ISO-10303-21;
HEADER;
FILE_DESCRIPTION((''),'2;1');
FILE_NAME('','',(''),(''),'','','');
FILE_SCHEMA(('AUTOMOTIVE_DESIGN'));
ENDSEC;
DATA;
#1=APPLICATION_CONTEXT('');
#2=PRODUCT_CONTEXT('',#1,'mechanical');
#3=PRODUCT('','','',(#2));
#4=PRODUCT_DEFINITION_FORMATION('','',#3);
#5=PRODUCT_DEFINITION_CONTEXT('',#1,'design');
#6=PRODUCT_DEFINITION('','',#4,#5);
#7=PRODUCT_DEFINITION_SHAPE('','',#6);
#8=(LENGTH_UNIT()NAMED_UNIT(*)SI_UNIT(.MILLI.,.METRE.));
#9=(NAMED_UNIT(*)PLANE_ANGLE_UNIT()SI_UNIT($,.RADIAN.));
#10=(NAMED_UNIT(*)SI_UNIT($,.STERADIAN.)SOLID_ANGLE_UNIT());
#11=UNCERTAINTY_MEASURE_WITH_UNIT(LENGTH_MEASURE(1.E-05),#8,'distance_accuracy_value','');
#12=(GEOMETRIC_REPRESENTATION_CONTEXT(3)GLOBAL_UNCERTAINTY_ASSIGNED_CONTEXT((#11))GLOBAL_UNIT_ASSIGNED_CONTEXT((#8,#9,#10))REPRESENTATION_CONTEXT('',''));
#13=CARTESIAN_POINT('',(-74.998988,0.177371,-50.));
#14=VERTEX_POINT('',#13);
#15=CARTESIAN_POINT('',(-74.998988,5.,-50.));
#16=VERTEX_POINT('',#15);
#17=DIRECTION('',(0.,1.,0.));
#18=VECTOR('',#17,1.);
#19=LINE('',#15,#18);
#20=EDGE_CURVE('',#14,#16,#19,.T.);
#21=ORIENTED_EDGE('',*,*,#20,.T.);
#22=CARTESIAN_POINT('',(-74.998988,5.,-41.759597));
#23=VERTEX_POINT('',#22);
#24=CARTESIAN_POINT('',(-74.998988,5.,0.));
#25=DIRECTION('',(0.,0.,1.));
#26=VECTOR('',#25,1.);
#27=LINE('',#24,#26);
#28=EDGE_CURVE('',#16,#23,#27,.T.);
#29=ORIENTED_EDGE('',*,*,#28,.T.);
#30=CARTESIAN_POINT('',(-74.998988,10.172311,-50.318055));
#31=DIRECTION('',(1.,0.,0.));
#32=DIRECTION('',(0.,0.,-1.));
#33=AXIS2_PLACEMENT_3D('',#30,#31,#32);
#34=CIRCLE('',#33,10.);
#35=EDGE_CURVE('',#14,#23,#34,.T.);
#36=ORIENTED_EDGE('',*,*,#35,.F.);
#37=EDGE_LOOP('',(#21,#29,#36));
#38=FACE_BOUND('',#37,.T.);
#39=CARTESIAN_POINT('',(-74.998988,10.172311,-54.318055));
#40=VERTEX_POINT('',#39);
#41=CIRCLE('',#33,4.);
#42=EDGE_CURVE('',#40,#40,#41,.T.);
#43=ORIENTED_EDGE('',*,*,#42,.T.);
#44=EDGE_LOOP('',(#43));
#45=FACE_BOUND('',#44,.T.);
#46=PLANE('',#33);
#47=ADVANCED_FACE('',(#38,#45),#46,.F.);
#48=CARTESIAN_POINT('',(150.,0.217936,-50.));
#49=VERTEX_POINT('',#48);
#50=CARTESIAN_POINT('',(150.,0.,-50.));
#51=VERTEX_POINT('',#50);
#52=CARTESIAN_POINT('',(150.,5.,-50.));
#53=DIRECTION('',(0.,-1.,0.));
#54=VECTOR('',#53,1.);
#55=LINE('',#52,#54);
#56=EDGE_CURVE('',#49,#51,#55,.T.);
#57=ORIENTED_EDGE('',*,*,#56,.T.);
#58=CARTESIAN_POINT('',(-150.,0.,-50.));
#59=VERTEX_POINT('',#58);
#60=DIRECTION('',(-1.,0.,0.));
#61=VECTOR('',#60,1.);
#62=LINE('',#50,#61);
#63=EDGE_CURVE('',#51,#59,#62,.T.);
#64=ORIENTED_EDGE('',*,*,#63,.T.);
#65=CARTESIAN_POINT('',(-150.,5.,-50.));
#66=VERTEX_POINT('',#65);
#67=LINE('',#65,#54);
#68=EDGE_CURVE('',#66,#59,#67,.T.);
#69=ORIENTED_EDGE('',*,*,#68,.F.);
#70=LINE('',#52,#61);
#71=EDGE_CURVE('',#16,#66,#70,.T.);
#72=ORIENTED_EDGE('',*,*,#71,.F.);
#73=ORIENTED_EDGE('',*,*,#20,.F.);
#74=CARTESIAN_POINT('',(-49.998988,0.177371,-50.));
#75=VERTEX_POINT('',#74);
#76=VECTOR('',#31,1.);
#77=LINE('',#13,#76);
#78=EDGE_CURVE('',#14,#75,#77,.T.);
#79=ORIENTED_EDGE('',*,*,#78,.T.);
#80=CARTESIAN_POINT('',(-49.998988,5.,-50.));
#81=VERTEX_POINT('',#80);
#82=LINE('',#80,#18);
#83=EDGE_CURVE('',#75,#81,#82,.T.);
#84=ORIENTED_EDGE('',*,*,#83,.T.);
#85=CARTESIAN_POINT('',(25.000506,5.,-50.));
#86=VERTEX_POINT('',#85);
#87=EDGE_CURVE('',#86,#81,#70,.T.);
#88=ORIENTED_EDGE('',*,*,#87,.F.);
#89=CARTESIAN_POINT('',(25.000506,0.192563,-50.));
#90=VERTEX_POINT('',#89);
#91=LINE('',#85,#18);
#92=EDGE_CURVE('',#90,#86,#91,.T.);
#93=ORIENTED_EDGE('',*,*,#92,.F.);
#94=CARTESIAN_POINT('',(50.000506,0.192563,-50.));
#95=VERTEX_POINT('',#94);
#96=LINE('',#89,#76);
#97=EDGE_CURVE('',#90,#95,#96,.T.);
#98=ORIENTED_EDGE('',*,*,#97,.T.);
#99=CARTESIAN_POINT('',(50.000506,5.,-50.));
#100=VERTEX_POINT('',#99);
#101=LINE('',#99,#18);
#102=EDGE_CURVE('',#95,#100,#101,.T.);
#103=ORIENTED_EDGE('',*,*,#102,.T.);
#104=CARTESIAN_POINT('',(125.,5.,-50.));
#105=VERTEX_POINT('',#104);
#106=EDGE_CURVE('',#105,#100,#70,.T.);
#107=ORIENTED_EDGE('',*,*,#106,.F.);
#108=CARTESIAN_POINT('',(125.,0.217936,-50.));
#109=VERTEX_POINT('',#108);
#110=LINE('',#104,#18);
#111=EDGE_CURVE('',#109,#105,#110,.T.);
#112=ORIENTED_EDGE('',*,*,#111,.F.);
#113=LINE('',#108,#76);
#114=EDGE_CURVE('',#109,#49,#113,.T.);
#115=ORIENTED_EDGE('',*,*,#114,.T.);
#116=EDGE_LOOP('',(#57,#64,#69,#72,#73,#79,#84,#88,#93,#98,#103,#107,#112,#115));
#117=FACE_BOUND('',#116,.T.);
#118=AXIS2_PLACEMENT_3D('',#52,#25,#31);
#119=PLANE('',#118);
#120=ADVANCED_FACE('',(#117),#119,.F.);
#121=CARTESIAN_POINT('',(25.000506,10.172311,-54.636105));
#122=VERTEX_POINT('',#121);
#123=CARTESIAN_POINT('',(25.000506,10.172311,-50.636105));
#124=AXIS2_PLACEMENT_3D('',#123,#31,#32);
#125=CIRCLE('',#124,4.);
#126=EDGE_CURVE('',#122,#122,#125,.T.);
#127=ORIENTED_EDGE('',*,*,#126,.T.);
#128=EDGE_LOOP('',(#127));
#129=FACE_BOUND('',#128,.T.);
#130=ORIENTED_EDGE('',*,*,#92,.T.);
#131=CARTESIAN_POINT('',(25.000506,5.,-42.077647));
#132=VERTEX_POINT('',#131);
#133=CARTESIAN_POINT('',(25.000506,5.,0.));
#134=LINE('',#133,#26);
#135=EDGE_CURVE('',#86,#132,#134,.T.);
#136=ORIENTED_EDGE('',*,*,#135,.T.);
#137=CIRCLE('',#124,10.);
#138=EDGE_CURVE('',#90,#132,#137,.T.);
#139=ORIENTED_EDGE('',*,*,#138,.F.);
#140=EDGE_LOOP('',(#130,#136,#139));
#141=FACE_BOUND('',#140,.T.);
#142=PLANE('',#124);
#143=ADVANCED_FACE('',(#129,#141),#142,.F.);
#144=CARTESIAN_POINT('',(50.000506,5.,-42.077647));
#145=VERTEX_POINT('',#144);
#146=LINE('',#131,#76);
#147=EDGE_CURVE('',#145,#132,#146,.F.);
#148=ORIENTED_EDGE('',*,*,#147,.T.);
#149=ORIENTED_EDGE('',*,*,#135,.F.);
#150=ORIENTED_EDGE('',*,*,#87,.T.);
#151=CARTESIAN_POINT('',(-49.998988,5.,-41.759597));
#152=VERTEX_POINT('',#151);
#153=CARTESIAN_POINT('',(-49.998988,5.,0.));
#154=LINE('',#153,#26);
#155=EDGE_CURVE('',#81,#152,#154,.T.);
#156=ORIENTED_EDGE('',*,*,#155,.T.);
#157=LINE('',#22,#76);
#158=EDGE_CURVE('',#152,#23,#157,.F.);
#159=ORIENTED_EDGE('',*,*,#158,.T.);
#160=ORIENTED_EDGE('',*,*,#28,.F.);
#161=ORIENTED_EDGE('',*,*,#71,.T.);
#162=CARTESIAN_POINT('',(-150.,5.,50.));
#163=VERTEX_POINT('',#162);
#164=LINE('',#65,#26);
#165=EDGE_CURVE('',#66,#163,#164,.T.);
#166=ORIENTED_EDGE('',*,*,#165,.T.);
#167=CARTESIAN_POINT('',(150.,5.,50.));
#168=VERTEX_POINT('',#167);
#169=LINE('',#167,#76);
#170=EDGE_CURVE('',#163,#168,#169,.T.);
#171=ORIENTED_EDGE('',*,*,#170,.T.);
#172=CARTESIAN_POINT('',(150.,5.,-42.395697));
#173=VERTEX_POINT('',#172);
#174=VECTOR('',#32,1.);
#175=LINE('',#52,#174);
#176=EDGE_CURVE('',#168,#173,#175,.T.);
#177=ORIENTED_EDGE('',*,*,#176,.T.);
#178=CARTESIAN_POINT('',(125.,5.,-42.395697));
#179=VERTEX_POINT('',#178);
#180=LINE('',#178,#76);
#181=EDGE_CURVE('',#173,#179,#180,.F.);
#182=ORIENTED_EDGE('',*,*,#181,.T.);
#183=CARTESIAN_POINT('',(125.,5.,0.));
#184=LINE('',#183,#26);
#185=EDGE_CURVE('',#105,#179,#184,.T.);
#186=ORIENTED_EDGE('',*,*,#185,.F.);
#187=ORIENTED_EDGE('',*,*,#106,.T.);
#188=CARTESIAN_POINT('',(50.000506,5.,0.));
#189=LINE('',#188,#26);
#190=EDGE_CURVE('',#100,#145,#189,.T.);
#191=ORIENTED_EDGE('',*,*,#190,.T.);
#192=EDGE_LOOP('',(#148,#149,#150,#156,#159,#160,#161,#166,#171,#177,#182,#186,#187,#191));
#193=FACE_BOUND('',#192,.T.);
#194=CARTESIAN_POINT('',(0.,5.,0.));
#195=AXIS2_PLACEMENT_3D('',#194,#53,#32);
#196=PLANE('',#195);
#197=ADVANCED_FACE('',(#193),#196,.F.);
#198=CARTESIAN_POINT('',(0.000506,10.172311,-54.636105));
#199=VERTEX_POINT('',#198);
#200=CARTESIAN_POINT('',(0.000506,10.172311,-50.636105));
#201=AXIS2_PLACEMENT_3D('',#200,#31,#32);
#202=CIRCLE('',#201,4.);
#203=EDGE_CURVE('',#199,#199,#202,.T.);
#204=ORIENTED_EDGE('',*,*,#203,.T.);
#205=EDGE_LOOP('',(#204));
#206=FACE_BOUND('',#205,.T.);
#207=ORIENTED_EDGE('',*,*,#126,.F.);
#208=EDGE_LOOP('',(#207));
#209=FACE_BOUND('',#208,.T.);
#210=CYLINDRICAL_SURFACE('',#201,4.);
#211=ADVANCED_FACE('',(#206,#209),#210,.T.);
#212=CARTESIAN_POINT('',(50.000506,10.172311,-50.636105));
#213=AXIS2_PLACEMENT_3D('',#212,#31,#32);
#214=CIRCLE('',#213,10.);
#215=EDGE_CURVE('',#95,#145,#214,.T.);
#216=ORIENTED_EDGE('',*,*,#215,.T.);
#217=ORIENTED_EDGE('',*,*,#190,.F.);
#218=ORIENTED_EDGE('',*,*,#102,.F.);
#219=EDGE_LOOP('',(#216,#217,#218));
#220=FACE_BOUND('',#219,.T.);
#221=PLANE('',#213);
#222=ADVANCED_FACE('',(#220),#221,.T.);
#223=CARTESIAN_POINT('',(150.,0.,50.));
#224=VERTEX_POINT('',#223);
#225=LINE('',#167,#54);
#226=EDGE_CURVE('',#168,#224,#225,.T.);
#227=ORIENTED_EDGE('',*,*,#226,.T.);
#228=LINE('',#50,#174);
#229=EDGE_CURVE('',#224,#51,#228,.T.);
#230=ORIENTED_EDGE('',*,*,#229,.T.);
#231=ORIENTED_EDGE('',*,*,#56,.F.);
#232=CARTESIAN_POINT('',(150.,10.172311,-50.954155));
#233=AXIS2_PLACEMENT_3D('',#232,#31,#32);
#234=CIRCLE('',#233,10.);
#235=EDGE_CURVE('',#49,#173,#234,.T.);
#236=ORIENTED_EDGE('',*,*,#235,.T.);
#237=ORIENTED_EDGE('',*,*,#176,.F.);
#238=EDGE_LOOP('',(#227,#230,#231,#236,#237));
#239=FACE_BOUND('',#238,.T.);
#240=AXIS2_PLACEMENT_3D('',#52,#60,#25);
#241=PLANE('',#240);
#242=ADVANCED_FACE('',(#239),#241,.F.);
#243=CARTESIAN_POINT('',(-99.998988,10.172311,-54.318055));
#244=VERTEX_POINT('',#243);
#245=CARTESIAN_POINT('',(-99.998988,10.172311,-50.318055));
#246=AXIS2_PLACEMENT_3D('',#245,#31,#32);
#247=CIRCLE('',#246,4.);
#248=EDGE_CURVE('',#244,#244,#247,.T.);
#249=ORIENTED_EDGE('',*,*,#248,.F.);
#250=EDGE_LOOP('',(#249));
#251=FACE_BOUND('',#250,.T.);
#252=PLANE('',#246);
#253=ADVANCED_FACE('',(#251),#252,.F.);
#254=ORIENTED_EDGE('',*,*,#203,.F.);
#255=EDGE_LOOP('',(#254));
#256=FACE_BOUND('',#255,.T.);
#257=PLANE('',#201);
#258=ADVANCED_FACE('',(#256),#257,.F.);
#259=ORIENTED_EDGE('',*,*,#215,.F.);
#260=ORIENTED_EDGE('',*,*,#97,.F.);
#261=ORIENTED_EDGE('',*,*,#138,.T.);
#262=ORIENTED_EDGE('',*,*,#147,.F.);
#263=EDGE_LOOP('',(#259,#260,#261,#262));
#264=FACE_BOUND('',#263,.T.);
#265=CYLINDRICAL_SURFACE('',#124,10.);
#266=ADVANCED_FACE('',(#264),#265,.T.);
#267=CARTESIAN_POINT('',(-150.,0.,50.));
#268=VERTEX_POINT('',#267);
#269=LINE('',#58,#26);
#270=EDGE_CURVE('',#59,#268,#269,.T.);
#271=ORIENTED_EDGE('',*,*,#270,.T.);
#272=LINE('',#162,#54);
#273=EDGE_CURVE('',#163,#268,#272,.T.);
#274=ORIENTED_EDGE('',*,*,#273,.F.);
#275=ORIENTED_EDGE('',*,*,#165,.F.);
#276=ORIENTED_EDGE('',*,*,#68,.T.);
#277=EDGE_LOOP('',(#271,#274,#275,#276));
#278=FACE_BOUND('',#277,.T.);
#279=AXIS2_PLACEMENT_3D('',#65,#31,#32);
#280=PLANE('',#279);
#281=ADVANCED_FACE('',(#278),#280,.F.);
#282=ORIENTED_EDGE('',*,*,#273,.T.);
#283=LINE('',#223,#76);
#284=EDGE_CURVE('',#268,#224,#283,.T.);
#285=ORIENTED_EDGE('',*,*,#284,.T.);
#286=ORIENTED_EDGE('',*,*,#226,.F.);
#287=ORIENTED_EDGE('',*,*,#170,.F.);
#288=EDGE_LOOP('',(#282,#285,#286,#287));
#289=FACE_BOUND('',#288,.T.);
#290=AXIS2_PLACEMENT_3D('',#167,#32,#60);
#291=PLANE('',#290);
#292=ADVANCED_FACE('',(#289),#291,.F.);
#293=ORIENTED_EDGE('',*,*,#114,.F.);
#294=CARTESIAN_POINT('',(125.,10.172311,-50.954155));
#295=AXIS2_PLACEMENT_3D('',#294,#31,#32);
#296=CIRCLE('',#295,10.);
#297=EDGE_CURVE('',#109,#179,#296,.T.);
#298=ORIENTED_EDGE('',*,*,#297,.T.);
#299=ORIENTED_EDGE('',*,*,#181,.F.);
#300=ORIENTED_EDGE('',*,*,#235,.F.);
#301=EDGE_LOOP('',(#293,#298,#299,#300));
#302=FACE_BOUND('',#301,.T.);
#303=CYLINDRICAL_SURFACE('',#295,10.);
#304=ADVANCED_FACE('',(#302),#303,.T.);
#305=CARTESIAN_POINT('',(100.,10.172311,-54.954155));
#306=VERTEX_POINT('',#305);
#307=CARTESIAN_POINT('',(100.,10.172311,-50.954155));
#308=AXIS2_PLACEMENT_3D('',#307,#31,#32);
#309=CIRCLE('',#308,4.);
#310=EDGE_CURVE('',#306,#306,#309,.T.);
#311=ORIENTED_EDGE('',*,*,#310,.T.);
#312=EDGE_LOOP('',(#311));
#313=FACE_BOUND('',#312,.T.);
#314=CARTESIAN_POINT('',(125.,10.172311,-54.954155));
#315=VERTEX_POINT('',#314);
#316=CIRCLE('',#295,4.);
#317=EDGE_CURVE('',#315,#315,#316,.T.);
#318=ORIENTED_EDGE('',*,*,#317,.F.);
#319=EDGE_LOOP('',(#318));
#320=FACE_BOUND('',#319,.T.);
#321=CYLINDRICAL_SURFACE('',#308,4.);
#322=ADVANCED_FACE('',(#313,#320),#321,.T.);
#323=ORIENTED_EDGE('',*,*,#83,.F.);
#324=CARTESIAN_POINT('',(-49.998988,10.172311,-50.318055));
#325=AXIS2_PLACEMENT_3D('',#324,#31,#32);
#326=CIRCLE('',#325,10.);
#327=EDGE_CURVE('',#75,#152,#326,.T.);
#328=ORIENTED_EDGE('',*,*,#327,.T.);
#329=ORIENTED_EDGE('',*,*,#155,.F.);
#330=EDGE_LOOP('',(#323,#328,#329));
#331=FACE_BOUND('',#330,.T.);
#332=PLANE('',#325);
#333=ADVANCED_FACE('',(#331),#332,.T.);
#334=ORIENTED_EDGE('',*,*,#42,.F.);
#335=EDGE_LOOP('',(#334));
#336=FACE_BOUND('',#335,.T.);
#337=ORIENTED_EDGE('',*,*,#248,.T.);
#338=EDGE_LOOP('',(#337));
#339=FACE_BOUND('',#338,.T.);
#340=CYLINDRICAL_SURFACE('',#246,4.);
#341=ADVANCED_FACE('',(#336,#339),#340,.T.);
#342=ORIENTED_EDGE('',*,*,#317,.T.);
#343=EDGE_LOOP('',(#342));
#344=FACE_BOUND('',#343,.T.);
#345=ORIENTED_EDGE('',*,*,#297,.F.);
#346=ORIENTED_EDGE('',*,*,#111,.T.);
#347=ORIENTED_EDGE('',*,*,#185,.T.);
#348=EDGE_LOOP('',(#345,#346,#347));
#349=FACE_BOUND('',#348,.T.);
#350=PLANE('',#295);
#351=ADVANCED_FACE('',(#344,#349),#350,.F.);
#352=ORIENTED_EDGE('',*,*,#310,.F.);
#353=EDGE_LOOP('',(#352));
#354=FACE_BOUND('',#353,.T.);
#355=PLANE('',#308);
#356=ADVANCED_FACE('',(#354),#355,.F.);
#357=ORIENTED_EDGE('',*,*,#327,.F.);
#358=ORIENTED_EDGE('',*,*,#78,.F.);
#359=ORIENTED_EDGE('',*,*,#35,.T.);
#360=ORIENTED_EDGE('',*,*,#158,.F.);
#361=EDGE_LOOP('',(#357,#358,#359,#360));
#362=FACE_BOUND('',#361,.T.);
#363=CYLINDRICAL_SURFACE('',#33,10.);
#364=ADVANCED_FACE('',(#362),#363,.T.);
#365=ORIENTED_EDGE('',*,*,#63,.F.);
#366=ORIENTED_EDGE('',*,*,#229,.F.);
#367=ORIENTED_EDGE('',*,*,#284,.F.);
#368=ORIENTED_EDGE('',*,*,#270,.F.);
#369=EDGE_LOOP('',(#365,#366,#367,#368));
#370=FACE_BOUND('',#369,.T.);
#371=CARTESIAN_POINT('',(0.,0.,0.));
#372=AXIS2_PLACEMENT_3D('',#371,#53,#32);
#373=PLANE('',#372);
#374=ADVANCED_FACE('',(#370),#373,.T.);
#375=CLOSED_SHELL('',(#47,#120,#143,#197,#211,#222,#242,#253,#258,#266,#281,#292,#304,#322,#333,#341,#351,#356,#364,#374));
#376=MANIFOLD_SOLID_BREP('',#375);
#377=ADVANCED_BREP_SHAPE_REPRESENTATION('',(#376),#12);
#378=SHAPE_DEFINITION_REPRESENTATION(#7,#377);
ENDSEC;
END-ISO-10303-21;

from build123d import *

# Parameters (mm, degrees)
SKETCH1_W           = 300
SKETCH1_H           = 100
BOSS_EXTRUDE1_DEPTH = 5
SKETCH7_R           = 10
BOSS_EXTRUDE5_DEPTH = 25
SKETCH10_R          = 4
BOSS_EXTRUDE6_DEPTH = 50
LPATTERN1_COUNT     = 3
LPATTERN1_PITCH     = 100


with BuildPart() as part:
    # Sketch1 → Boss-Extrude1 (new body)
    with BuildSketch(Plane(origin=(0, 0, 0), x_dir=(1, 0, 0), z_dir=(0, 1, 0))):
        Rectangle(SKETCH1_W, SKETCH1_H)
    extrude(amount=BOSS_EXTRUDE1_DEPTH)

    # Sketch7 → Boss-Extrude5 (add)
    with BuildSketch(Plane(origin=(150, 0, 0), x_dir=(0, 0, -1), z_dir=(1, 0, 0))):
        with Locations((50.954154719, 10.172311349)):
            Circle(SKETCH7_R)
    boss_extrude5 = extrude(amount=-BOSS_EXTRUDE5_DEPTH)

    # Sketch10 → Boss-Extrude6 (add)
    with BuildSketch(Plane(origin=(150, 0, 0), x_dir=(0, 0, -1), z_dir=(1, 0, 0))):
        with Locations((50.954154719, 10.172311349)):
            Circle(SKETCH10_R)
    boss_extrude6 = extrude(amount=-BOSS_EXTRUDE6_DEPTH)

    # LPattern1: Boss-Extrude5, Boss-Extrude6 ×3
    with Locations(*[Vector(-0.999994942, 0, 0.0031805) * (i * LPATTERN1_PITCH) for i in range(1, LPATTERN1_COUNT)]):
        add(boss_extrude5)
        add(boss_extrude6)


solid = part.part
